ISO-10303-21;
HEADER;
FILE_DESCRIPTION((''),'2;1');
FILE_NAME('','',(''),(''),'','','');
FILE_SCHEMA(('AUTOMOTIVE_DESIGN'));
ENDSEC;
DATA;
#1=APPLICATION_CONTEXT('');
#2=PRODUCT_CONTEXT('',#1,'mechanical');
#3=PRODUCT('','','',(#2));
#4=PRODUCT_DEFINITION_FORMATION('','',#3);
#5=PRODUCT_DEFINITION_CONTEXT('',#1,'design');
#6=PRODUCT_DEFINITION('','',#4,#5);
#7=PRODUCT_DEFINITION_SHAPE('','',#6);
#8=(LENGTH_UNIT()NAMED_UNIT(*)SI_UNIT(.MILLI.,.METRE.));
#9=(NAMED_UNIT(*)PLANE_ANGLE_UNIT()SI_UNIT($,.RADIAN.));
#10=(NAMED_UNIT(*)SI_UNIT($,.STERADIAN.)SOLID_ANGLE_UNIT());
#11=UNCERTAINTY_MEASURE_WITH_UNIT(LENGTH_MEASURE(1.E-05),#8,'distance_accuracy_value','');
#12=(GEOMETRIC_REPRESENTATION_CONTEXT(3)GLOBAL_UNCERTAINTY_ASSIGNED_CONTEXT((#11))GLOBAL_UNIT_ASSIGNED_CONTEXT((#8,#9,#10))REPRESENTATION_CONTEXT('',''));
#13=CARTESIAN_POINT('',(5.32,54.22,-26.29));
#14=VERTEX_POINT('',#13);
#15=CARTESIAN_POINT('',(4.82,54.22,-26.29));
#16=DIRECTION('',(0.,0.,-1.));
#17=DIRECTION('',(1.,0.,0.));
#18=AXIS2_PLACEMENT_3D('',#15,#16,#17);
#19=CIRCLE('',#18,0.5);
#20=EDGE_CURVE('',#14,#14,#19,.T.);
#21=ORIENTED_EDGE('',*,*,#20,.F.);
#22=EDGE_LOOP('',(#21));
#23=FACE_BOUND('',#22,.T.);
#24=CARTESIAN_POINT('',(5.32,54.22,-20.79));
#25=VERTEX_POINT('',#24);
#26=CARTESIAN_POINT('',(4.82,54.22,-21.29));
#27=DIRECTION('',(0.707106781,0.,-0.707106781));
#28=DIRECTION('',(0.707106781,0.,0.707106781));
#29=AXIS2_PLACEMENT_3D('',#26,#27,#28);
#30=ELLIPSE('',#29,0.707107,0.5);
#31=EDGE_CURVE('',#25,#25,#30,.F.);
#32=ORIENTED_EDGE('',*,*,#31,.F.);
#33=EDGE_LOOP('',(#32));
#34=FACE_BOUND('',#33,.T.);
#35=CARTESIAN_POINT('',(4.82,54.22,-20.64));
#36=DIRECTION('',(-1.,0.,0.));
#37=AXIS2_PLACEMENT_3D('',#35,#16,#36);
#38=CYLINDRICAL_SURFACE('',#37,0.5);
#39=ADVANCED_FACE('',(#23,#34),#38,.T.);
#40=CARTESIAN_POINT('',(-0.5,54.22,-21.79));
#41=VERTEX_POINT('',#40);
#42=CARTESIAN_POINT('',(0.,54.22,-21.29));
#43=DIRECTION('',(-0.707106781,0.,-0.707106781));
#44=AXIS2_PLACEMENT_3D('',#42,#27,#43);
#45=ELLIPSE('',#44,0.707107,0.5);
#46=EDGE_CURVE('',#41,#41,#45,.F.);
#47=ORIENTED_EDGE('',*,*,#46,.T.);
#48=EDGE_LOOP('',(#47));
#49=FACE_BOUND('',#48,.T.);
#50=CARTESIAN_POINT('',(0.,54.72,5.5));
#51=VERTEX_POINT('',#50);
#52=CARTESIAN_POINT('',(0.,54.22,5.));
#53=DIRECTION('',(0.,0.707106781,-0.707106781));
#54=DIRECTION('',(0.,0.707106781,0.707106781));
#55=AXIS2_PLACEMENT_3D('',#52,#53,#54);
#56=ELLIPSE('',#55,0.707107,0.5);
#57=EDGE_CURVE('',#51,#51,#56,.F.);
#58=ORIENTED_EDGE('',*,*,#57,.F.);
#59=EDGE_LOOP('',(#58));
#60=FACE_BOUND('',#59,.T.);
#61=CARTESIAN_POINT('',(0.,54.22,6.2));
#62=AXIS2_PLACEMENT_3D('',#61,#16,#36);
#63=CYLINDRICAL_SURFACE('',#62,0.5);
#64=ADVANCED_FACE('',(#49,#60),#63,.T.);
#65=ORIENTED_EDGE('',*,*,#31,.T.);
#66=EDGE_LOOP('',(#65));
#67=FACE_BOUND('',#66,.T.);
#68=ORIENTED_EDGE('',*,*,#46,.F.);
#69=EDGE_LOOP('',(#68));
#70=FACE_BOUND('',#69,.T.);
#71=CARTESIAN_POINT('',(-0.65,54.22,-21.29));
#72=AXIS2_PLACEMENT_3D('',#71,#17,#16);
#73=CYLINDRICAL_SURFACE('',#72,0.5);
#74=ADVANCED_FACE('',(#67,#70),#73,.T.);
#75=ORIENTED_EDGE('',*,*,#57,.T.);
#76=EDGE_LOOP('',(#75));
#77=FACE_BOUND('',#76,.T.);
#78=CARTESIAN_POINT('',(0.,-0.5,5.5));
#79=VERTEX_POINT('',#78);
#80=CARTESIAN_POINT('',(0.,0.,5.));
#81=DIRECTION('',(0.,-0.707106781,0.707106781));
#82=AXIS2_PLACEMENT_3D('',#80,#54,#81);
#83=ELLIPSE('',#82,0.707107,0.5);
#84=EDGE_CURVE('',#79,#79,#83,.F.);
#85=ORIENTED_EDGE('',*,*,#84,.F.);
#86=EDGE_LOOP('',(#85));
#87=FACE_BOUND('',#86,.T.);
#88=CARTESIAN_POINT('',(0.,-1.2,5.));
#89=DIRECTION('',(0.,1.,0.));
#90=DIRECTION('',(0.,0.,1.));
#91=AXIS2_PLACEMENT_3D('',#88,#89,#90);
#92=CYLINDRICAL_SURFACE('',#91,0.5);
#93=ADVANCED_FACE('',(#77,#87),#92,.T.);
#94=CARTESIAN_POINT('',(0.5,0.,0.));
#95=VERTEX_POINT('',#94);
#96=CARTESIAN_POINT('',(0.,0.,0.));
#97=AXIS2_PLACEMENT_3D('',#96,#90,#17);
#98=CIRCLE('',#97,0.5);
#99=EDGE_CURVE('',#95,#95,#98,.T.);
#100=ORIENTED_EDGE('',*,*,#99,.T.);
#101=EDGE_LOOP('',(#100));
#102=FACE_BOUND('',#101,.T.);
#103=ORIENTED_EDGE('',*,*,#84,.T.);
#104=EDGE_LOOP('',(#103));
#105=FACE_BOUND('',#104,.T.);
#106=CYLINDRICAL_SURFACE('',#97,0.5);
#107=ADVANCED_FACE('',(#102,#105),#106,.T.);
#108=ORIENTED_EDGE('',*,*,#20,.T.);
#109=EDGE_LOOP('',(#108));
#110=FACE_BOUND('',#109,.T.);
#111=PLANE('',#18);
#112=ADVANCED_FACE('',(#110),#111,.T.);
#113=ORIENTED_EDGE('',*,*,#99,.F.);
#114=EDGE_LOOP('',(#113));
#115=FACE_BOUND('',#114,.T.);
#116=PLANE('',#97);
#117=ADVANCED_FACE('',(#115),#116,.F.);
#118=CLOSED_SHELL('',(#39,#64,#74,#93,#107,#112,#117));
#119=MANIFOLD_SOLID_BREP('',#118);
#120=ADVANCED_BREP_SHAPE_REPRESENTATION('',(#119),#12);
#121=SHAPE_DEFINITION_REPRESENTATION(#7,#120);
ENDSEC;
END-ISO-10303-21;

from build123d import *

# Parameters (mm, degrees)
ESQUISSE1_R = 0.5


with BuildPart() as part:
    # Balayage1: sweep along a curve in space
    with BuildLine() as balayage1_path:
        Line((0, 0, 0), (0, 0, 5))
        Line((0, 0, 5), (0, 54.22, 5))
        Line((0, 54.22, 5), (0, 54.22, -21.29))
        Line((0, 54.22, -21.29), (4.82, 54.22, -21.29))
        Line((4.82, 54.22, -21.29), (4.82, 54.22, -26.29))
    # Esquisse1 → Balayage1 (sweep)
    with BuildSketch(Plane(origin=(0, 0, 0), x_dir=(0, 1, 0), z_dir=(0, 0, 1))):
        Circle(ESQUISSE1_R)
    sweep(path=balayage1_path.line, transition=Transition.RIGHT)


solid = part.part
